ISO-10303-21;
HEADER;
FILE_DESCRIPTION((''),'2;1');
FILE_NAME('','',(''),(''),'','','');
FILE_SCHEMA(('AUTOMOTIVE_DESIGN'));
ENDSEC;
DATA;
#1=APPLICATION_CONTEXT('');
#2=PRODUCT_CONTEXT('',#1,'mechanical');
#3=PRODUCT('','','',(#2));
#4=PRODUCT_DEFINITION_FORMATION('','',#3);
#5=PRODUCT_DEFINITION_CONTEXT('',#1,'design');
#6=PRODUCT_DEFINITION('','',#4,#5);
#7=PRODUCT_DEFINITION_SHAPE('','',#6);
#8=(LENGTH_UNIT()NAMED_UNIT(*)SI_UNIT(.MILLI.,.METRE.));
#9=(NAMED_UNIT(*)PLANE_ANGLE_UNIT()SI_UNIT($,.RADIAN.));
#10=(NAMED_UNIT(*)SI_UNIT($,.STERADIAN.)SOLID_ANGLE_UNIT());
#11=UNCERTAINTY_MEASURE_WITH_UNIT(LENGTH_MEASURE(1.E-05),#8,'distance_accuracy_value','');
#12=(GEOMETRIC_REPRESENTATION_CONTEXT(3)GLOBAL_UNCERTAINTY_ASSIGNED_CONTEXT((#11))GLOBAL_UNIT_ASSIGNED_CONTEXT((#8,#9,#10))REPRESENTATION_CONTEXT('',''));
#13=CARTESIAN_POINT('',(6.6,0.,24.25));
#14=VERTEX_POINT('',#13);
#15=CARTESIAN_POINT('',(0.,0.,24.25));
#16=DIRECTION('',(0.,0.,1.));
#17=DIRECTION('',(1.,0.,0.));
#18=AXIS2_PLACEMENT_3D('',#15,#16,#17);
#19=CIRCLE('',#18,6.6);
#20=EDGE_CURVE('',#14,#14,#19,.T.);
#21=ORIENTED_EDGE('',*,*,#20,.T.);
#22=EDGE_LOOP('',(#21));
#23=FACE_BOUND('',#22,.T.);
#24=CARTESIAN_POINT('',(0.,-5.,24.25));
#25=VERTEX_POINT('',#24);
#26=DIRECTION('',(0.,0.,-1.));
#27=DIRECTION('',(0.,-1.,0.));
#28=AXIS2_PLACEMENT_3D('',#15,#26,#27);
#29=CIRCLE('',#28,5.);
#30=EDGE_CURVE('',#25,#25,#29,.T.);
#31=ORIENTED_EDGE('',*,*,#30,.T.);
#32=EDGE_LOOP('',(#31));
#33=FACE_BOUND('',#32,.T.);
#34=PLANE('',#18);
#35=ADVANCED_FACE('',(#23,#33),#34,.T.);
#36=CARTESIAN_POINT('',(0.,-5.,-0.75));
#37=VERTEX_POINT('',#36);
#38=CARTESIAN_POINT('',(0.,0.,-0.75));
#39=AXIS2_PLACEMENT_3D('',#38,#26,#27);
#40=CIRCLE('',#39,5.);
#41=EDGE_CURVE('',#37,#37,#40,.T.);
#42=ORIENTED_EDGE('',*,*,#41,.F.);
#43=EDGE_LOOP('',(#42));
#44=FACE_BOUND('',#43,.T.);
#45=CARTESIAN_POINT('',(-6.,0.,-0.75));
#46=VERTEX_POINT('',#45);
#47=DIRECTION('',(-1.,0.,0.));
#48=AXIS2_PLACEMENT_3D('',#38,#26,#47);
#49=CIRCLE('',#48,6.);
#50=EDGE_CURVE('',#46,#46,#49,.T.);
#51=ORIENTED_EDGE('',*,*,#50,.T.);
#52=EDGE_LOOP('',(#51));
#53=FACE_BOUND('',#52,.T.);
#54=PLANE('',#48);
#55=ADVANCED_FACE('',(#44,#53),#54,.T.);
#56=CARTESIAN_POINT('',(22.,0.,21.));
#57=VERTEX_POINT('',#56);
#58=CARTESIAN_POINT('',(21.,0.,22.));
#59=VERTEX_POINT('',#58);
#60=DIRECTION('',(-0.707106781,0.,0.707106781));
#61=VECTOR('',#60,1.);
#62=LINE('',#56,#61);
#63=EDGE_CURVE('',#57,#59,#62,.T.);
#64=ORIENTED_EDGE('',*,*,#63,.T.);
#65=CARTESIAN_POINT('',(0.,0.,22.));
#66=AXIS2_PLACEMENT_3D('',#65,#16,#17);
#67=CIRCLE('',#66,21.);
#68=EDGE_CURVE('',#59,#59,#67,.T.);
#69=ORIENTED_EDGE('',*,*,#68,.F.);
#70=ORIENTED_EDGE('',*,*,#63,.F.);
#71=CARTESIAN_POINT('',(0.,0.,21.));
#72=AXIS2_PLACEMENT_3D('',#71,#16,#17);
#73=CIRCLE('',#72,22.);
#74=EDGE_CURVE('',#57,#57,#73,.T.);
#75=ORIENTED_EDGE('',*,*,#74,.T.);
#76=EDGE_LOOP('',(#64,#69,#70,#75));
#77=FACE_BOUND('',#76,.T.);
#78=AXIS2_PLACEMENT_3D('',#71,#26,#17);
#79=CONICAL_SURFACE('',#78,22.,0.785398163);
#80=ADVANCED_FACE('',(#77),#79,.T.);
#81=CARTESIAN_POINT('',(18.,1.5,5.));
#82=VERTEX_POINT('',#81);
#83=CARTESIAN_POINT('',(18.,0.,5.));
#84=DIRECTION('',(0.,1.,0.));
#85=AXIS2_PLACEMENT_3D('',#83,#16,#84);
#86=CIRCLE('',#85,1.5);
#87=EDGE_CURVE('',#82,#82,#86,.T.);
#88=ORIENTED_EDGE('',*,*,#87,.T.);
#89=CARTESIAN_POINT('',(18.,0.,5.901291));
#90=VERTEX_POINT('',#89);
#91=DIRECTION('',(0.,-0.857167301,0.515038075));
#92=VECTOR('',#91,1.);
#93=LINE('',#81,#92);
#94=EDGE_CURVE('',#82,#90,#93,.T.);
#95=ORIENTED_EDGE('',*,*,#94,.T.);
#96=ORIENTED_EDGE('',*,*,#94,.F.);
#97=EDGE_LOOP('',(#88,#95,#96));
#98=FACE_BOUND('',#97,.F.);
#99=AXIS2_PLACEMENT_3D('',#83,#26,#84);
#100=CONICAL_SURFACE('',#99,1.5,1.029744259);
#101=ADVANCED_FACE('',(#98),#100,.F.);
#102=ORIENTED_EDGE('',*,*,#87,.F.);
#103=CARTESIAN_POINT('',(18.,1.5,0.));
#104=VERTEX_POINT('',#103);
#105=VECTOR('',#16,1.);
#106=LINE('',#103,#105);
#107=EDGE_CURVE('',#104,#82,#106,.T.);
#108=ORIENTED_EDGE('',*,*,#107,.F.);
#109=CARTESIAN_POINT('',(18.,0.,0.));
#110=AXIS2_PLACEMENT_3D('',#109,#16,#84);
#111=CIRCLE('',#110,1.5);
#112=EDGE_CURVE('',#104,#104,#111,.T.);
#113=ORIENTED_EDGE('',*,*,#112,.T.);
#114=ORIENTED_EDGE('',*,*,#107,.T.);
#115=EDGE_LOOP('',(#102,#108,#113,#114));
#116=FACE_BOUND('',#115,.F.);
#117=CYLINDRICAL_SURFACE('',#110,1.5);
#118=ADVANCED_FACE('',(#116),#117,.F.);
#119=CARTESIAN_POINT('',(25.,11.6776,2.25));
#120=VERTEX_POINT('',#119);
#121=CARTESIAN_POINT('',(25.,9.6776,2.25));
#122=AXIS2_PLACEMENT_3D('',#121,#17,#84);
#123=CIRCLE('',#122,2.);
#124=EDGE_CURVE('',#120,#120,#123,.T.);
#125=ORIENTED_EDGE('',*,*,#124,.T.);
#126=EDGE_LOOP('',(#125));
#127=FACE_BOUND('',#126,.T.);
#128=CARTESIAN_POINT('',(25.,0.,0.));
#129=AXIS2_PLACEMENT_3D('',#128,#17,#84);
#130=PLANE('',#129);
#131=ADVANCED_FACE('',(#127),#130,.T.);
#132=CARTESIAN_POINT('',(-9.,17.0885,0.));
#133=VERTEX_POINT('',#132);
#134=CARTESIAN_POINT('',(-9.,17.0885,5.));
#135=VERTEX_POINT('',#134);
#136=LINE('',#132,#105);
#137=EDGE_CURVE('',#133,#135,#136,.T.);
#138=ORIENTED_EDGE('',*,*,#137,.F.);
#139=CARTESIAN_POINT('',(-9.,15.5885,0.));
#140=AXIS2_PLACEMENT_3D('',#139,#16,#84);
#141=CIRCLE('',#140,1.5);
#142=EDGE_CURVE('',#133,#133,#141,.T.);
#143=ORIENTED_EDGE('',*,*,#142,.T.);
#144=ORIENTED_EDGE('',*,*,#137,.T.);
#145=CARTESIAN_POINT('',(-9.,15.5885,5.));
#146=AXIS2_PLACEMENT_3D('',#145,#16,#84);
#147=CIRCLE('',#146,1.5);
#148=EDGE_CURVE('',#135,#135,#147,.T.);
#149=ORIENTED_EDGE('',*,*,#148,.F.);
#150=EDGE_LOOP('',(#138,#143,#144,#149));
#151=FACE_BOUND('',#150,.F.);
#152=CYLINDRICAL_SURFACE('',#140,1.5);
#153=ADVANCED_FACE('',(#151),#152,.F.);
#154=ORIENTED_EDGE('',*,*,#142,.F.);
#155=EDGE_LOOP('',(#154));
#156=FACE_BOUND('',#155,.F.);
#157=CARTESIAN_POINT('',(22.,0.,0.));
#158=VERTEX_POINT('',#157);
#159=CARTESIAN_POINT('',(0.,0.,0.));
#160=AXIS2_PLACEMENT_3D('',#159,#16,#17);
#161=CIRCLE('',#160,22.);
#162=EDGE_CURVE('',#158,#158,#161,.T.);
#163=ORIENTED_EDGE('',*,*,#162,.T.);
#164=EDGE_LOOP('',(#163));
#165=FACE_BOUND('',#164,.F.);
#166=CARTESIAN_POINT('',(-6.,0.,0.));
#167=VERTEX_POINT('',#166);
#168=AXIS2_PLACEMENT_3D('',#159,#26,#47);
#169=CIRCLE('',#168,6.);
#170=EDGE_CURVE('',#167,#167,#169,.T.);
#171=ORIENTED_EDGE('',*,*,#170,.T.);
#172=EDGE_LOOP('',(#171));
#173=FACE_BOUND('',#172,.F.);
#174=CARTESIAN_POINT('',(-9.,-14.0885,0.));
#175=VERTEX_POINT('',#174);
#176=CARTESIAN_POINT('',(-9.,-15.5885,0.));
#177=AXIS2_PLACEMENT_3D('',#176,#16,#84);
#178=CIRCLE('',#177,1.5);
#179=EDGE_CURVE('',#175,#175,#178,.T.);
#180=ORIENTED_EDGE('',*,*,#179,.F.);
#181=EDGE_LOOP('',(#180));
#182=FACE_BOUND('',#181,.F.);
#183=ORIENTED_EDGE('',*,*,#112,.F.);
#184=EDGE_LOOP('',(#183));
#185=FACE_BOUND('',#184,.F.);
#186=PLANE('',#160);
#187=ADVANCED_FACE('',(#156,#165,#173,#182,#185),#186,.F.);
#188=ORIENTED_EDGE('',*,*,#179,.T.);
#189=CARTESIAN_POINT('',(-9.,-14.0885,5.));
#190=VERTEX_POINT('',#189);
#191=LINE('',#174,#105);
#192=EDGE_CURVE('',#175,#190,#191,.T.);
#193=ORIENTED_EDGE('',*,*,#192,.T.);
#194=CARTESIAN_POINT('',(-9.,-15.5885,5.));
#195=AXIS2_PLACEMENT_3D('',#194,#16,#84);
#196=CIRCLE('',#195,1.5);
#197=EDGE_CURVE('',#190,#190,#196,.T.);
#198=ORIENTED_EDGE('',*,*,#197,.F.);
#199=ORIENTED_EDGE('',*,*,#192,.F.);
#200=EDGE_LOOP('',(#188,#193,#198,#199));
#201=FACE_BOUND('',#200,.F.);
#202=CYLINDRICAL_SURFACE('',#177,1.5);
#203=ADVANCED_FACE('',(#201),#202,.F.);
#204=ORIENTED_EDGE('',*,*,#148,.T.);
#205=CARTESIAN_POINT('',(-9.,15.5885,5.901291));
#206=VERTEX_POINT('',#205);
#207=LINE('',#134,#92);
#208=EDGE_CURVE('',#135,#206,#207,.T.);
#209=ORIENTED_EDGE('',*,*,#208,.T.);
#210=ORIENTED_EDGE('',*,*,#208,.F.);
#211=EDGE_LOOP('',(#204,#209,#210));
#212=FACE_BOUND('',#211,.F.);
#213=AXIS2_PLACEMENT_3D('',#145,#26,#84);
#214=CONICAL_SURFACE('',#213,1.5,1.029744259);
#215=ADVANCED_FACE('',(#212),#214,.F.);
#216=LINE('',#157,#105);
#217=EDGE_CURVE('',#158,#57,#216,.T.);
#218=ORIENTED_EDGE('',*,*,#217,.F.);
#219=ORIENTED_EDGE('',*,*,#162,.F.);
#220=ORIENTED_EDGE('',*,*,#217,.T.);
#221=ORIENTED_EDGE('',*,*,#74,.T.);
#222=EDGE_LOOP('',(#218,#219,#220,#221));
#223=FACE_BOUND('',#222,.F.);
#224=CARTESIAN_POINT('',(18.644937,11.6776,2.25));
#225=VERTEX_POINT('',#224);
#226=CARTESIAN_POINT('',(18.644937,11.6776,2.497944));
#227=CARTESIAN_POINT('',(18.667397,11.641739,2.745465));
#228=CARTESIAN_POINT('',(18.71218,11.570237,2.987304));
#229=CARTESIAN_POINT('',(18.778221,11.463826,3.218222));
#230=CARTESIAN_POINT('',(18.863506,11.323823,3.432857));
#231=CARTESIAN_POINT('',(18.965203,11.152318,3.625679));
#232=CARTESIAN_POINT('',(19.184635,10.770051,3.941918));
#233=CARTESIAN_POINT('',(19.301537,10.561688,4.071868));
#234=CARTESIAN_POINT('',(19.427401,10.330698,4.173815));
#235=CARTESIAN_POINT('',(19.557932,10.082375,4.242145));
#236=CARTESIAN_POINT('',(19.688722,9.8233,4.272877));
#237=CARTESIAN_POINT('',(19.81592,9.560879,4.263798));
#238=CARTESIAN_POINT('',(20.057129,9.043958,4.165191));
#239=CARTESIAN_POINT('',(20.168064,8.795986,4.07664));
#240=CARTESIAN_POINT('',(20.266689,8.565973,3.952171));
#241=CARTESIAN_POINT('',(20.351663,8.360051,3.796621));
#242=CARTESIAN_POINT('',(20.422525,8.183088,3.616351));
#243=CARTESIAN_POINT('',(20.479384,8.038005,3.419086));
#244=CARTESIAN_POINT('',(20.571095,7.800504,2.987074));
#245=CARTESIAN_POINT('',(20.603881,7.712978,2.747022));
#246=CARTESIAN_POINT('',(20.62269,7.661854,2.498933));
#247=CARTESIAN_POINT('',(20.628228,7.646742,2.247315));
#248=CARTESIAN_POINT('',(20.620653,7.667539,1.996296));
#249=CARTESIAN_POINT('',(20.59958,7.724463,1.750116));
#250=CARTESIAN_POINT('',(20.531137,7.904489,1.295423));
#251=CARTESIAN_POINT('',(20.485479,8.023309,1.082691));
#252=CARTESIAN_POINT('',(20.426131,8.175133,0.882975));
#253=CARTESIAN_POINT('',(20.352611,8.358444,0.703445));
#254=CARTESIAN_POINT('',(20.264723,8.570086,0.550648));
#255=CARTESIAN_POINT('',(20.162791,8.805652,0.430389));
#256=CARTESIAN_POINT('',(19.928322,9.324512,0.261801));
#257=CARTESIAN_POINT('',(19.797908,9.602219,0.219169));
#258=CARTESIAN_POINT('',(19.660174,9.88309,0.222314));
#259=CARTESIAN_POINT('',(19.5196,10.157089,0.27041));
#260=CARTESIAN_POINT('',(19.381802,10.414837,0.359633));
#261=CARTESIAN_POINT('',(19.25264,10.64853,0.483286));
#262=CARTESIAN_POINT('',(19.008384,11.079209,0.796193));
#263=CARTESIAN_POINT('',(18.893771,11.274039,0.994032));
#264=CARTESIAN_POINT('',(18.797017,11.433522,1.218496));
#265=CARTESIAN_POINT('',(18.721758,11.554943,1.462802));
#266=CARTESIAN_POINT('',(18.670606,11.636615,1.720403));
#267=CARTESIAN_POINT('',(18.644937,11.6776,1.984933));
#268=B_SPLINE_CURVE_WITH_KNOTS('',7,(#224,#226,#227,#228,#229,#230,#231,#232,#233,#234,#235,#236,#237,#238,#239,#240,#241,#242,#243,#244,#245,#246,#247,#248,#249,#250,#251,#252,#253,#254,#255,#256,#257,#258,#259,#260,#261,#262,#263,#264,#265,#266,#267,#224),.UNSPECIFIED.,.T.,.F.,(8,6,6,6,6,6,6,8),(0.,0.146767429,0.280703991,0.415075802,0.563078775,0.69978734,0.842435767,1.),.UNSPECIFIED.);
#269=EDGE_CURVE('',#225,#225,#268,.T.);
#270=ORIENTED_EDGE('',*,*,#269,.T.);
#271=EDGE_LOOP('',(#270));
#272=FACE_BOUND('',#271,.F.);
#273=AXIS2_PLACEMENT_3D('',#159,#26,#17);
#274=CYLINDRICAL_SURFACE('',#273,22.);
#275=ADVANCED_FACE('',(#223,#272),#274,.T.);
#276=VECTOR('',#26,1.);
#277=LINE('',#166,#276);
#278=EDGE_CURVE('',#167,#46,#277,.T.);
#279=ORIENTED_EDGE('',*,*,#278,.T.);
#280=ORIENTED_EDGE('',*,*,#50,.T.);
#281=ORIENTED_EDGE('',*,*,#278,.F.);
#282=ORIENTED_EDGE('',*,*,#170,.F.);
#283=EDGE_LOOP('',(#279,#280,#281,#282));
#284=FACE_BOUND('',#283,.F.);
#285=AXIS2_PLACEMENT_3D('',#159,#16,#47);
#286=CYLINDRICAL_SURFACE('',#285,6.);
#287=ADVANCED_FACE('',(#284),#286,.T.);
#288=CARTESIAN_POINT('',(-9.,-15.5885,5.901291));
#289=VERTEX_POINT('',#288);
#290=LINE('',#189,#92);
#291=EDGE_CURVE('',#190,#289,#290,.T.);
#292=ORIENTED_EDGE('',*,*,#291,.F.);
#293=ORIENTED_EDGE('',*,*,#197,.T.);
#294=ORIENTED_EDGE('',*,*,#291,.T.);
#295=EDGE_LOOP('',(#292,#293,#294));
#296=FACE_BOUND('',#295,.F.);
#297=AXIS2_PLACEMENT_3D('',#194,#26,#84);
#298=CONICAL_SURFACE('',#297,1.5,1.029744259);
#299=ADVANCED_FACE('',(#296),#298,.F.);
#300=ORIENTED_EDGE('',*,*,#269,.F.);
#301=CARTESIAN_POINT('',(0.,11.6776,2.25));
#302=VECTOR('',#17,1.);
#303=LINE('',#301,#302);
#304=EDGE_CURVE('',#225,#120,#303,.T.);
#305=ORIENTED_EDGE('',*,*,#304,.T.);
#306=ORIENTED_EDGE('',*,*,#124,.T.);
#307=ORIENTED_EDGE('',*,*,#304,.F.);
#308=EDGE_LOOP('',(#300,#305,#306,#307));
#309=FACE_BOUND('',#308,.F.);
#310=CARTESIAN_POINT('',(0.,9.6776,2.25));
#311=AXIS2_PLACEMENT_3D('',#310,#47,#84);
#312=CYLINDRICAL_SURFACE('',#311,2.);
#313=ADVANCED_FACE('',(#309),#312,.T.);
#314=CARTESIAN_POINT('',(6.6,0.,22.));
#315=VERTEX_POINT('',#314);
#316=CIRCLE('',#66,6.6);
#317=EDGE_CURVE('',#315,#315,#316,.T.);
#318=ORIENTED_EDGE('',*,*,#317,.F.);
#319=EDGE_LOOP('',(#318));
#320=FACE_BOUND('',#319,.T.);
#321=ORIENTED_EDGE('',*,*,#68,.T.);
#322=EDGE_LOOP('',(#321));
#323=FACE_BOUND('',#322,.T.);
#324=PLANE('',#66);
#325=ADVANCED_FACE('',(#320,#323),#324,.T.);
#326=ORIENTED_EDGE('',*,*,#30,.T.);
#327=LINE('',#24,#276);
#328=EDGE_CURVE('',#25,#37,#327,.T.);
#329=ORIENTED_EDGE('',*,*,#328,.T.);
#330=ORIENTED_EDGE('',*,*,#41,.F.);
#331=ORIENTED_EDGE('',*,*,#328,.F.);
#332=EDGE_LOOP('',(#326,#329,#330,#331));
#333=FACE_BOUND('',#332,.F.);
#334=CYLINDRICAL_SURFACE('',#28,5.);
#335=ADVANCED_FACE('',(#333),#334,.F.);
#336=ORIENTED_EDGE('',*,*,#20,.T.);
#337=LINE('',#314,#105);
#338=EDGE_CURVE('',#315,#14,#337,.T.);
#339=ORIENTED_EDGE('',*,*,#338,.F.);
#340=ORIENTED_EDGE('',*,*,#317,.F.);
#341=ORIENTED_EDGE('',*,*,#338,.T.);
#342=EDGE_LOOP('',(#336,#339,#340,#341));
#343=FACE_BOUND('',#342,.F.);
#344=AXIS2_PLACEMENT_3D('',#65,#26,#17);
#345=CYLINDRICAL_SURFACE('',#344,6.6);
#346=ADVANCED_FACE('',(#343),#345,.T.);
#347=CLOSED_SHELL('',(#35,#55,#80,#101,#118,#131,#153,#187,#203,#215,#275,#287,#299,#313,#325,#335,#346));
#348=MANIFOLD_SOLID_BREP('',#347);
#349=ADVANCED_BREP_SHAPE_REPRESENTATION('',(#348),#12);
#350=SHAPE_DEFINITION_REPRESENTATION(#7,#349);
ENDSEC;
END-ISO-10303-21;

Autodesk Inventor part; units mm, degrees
ref_plane "YZ Plane" through (0, 0, 0) normal (1, 0, 0) x (0, 1, 0)
ref_plane "XZ Plane" through (0, 0, 0) normal (0, 1, 0) x (-1, 0, 0)
ref_plane "XY Plane" through (0, 0, 0) normal (0, 0, 1) x (1, 0, 0)
sketch "スケッチ1" plane through (0, 0, 0) normal (0, 0, 1) x (1, 0, 0)
  circle A0 centre (0, 0) radius 22
  dimension "d0" = 44
extrude "押し出し1" add sketch "スケッチ1" along normal blind 22
chamfer "面取り1" distance 1 angle 45 1 edges at (-22, 0, 22)
sketch "スケッチ2" plane through (0, 0, 22) normal (0, 0, 1) x (1, 0, 0)
  circle A0 centre (0, 0) radius 6.6
  dimension "d6" = 13.2
extrude "押し出し2" add sketch "スケッチ2" along normal blind 2.25
sketch "スケッチ6" plane through (0, 0, 0) normal (0, 0, 1) x (1, 0, 0)
  point P0 (0, 0)
sketch "スケッチ8" plane through (0, 0, 0) normal (0, 1, 0) x (-1, 0, 0)
  point P0 (0, 0)
sketch "スケッチ9" plane through (0, 0, 0) normal (1, 0, 0) x (0, 1, 0)
  line L0 (-22, 0) -> (22, 0) projected
  circle A0 centre (9.6776, 2.25) radius 2
  point P0 (0, 0)
  dimension "d30" = 2.25
  dimension "d31" = 4
extrude "押し出し3" add sketch "スケッチ9" along normal blind 25
sketch "スケッチ12" plane through (0, 0, 0) normal (0, 0, -1) x (-1, 0, 0)
  circle A0 centre (0, 0) radius 6
  dimension "d44" = 12
extrude "押し出し5" add sketch "スケッチ12" along normal blind 0.75
sketch "スケッチ13" plane through (0, 0, 24.25) normal (0, 0, 1) x (1, 0, 0)
  point P0 (0, 0)
  point P1 (0, 0)
hole "穴4" at (0, 0, 24.25) direction (0, 0, -1) diameter 10 end through all
sketch "スケッチ14" plane through (0, 0, 0) normal (0, 0, -1) x (-1, 0, 0)
  point P0 (0, 0)
  point P1 (-18, 0)
  point P2 (9, -15.5885)
  point P3 (9, 15.5885)
  dimension "d54" = 18
  dimension "d57" = 360
hole "穴5" at (18, 0, 0) at (-9, -15.5885, 0) at (-9, 15.5885, 0) direction (0, 0, 1) diameter 3 depth 5 tip angle 118
properties part number "meh-30-pエンコーダ"
